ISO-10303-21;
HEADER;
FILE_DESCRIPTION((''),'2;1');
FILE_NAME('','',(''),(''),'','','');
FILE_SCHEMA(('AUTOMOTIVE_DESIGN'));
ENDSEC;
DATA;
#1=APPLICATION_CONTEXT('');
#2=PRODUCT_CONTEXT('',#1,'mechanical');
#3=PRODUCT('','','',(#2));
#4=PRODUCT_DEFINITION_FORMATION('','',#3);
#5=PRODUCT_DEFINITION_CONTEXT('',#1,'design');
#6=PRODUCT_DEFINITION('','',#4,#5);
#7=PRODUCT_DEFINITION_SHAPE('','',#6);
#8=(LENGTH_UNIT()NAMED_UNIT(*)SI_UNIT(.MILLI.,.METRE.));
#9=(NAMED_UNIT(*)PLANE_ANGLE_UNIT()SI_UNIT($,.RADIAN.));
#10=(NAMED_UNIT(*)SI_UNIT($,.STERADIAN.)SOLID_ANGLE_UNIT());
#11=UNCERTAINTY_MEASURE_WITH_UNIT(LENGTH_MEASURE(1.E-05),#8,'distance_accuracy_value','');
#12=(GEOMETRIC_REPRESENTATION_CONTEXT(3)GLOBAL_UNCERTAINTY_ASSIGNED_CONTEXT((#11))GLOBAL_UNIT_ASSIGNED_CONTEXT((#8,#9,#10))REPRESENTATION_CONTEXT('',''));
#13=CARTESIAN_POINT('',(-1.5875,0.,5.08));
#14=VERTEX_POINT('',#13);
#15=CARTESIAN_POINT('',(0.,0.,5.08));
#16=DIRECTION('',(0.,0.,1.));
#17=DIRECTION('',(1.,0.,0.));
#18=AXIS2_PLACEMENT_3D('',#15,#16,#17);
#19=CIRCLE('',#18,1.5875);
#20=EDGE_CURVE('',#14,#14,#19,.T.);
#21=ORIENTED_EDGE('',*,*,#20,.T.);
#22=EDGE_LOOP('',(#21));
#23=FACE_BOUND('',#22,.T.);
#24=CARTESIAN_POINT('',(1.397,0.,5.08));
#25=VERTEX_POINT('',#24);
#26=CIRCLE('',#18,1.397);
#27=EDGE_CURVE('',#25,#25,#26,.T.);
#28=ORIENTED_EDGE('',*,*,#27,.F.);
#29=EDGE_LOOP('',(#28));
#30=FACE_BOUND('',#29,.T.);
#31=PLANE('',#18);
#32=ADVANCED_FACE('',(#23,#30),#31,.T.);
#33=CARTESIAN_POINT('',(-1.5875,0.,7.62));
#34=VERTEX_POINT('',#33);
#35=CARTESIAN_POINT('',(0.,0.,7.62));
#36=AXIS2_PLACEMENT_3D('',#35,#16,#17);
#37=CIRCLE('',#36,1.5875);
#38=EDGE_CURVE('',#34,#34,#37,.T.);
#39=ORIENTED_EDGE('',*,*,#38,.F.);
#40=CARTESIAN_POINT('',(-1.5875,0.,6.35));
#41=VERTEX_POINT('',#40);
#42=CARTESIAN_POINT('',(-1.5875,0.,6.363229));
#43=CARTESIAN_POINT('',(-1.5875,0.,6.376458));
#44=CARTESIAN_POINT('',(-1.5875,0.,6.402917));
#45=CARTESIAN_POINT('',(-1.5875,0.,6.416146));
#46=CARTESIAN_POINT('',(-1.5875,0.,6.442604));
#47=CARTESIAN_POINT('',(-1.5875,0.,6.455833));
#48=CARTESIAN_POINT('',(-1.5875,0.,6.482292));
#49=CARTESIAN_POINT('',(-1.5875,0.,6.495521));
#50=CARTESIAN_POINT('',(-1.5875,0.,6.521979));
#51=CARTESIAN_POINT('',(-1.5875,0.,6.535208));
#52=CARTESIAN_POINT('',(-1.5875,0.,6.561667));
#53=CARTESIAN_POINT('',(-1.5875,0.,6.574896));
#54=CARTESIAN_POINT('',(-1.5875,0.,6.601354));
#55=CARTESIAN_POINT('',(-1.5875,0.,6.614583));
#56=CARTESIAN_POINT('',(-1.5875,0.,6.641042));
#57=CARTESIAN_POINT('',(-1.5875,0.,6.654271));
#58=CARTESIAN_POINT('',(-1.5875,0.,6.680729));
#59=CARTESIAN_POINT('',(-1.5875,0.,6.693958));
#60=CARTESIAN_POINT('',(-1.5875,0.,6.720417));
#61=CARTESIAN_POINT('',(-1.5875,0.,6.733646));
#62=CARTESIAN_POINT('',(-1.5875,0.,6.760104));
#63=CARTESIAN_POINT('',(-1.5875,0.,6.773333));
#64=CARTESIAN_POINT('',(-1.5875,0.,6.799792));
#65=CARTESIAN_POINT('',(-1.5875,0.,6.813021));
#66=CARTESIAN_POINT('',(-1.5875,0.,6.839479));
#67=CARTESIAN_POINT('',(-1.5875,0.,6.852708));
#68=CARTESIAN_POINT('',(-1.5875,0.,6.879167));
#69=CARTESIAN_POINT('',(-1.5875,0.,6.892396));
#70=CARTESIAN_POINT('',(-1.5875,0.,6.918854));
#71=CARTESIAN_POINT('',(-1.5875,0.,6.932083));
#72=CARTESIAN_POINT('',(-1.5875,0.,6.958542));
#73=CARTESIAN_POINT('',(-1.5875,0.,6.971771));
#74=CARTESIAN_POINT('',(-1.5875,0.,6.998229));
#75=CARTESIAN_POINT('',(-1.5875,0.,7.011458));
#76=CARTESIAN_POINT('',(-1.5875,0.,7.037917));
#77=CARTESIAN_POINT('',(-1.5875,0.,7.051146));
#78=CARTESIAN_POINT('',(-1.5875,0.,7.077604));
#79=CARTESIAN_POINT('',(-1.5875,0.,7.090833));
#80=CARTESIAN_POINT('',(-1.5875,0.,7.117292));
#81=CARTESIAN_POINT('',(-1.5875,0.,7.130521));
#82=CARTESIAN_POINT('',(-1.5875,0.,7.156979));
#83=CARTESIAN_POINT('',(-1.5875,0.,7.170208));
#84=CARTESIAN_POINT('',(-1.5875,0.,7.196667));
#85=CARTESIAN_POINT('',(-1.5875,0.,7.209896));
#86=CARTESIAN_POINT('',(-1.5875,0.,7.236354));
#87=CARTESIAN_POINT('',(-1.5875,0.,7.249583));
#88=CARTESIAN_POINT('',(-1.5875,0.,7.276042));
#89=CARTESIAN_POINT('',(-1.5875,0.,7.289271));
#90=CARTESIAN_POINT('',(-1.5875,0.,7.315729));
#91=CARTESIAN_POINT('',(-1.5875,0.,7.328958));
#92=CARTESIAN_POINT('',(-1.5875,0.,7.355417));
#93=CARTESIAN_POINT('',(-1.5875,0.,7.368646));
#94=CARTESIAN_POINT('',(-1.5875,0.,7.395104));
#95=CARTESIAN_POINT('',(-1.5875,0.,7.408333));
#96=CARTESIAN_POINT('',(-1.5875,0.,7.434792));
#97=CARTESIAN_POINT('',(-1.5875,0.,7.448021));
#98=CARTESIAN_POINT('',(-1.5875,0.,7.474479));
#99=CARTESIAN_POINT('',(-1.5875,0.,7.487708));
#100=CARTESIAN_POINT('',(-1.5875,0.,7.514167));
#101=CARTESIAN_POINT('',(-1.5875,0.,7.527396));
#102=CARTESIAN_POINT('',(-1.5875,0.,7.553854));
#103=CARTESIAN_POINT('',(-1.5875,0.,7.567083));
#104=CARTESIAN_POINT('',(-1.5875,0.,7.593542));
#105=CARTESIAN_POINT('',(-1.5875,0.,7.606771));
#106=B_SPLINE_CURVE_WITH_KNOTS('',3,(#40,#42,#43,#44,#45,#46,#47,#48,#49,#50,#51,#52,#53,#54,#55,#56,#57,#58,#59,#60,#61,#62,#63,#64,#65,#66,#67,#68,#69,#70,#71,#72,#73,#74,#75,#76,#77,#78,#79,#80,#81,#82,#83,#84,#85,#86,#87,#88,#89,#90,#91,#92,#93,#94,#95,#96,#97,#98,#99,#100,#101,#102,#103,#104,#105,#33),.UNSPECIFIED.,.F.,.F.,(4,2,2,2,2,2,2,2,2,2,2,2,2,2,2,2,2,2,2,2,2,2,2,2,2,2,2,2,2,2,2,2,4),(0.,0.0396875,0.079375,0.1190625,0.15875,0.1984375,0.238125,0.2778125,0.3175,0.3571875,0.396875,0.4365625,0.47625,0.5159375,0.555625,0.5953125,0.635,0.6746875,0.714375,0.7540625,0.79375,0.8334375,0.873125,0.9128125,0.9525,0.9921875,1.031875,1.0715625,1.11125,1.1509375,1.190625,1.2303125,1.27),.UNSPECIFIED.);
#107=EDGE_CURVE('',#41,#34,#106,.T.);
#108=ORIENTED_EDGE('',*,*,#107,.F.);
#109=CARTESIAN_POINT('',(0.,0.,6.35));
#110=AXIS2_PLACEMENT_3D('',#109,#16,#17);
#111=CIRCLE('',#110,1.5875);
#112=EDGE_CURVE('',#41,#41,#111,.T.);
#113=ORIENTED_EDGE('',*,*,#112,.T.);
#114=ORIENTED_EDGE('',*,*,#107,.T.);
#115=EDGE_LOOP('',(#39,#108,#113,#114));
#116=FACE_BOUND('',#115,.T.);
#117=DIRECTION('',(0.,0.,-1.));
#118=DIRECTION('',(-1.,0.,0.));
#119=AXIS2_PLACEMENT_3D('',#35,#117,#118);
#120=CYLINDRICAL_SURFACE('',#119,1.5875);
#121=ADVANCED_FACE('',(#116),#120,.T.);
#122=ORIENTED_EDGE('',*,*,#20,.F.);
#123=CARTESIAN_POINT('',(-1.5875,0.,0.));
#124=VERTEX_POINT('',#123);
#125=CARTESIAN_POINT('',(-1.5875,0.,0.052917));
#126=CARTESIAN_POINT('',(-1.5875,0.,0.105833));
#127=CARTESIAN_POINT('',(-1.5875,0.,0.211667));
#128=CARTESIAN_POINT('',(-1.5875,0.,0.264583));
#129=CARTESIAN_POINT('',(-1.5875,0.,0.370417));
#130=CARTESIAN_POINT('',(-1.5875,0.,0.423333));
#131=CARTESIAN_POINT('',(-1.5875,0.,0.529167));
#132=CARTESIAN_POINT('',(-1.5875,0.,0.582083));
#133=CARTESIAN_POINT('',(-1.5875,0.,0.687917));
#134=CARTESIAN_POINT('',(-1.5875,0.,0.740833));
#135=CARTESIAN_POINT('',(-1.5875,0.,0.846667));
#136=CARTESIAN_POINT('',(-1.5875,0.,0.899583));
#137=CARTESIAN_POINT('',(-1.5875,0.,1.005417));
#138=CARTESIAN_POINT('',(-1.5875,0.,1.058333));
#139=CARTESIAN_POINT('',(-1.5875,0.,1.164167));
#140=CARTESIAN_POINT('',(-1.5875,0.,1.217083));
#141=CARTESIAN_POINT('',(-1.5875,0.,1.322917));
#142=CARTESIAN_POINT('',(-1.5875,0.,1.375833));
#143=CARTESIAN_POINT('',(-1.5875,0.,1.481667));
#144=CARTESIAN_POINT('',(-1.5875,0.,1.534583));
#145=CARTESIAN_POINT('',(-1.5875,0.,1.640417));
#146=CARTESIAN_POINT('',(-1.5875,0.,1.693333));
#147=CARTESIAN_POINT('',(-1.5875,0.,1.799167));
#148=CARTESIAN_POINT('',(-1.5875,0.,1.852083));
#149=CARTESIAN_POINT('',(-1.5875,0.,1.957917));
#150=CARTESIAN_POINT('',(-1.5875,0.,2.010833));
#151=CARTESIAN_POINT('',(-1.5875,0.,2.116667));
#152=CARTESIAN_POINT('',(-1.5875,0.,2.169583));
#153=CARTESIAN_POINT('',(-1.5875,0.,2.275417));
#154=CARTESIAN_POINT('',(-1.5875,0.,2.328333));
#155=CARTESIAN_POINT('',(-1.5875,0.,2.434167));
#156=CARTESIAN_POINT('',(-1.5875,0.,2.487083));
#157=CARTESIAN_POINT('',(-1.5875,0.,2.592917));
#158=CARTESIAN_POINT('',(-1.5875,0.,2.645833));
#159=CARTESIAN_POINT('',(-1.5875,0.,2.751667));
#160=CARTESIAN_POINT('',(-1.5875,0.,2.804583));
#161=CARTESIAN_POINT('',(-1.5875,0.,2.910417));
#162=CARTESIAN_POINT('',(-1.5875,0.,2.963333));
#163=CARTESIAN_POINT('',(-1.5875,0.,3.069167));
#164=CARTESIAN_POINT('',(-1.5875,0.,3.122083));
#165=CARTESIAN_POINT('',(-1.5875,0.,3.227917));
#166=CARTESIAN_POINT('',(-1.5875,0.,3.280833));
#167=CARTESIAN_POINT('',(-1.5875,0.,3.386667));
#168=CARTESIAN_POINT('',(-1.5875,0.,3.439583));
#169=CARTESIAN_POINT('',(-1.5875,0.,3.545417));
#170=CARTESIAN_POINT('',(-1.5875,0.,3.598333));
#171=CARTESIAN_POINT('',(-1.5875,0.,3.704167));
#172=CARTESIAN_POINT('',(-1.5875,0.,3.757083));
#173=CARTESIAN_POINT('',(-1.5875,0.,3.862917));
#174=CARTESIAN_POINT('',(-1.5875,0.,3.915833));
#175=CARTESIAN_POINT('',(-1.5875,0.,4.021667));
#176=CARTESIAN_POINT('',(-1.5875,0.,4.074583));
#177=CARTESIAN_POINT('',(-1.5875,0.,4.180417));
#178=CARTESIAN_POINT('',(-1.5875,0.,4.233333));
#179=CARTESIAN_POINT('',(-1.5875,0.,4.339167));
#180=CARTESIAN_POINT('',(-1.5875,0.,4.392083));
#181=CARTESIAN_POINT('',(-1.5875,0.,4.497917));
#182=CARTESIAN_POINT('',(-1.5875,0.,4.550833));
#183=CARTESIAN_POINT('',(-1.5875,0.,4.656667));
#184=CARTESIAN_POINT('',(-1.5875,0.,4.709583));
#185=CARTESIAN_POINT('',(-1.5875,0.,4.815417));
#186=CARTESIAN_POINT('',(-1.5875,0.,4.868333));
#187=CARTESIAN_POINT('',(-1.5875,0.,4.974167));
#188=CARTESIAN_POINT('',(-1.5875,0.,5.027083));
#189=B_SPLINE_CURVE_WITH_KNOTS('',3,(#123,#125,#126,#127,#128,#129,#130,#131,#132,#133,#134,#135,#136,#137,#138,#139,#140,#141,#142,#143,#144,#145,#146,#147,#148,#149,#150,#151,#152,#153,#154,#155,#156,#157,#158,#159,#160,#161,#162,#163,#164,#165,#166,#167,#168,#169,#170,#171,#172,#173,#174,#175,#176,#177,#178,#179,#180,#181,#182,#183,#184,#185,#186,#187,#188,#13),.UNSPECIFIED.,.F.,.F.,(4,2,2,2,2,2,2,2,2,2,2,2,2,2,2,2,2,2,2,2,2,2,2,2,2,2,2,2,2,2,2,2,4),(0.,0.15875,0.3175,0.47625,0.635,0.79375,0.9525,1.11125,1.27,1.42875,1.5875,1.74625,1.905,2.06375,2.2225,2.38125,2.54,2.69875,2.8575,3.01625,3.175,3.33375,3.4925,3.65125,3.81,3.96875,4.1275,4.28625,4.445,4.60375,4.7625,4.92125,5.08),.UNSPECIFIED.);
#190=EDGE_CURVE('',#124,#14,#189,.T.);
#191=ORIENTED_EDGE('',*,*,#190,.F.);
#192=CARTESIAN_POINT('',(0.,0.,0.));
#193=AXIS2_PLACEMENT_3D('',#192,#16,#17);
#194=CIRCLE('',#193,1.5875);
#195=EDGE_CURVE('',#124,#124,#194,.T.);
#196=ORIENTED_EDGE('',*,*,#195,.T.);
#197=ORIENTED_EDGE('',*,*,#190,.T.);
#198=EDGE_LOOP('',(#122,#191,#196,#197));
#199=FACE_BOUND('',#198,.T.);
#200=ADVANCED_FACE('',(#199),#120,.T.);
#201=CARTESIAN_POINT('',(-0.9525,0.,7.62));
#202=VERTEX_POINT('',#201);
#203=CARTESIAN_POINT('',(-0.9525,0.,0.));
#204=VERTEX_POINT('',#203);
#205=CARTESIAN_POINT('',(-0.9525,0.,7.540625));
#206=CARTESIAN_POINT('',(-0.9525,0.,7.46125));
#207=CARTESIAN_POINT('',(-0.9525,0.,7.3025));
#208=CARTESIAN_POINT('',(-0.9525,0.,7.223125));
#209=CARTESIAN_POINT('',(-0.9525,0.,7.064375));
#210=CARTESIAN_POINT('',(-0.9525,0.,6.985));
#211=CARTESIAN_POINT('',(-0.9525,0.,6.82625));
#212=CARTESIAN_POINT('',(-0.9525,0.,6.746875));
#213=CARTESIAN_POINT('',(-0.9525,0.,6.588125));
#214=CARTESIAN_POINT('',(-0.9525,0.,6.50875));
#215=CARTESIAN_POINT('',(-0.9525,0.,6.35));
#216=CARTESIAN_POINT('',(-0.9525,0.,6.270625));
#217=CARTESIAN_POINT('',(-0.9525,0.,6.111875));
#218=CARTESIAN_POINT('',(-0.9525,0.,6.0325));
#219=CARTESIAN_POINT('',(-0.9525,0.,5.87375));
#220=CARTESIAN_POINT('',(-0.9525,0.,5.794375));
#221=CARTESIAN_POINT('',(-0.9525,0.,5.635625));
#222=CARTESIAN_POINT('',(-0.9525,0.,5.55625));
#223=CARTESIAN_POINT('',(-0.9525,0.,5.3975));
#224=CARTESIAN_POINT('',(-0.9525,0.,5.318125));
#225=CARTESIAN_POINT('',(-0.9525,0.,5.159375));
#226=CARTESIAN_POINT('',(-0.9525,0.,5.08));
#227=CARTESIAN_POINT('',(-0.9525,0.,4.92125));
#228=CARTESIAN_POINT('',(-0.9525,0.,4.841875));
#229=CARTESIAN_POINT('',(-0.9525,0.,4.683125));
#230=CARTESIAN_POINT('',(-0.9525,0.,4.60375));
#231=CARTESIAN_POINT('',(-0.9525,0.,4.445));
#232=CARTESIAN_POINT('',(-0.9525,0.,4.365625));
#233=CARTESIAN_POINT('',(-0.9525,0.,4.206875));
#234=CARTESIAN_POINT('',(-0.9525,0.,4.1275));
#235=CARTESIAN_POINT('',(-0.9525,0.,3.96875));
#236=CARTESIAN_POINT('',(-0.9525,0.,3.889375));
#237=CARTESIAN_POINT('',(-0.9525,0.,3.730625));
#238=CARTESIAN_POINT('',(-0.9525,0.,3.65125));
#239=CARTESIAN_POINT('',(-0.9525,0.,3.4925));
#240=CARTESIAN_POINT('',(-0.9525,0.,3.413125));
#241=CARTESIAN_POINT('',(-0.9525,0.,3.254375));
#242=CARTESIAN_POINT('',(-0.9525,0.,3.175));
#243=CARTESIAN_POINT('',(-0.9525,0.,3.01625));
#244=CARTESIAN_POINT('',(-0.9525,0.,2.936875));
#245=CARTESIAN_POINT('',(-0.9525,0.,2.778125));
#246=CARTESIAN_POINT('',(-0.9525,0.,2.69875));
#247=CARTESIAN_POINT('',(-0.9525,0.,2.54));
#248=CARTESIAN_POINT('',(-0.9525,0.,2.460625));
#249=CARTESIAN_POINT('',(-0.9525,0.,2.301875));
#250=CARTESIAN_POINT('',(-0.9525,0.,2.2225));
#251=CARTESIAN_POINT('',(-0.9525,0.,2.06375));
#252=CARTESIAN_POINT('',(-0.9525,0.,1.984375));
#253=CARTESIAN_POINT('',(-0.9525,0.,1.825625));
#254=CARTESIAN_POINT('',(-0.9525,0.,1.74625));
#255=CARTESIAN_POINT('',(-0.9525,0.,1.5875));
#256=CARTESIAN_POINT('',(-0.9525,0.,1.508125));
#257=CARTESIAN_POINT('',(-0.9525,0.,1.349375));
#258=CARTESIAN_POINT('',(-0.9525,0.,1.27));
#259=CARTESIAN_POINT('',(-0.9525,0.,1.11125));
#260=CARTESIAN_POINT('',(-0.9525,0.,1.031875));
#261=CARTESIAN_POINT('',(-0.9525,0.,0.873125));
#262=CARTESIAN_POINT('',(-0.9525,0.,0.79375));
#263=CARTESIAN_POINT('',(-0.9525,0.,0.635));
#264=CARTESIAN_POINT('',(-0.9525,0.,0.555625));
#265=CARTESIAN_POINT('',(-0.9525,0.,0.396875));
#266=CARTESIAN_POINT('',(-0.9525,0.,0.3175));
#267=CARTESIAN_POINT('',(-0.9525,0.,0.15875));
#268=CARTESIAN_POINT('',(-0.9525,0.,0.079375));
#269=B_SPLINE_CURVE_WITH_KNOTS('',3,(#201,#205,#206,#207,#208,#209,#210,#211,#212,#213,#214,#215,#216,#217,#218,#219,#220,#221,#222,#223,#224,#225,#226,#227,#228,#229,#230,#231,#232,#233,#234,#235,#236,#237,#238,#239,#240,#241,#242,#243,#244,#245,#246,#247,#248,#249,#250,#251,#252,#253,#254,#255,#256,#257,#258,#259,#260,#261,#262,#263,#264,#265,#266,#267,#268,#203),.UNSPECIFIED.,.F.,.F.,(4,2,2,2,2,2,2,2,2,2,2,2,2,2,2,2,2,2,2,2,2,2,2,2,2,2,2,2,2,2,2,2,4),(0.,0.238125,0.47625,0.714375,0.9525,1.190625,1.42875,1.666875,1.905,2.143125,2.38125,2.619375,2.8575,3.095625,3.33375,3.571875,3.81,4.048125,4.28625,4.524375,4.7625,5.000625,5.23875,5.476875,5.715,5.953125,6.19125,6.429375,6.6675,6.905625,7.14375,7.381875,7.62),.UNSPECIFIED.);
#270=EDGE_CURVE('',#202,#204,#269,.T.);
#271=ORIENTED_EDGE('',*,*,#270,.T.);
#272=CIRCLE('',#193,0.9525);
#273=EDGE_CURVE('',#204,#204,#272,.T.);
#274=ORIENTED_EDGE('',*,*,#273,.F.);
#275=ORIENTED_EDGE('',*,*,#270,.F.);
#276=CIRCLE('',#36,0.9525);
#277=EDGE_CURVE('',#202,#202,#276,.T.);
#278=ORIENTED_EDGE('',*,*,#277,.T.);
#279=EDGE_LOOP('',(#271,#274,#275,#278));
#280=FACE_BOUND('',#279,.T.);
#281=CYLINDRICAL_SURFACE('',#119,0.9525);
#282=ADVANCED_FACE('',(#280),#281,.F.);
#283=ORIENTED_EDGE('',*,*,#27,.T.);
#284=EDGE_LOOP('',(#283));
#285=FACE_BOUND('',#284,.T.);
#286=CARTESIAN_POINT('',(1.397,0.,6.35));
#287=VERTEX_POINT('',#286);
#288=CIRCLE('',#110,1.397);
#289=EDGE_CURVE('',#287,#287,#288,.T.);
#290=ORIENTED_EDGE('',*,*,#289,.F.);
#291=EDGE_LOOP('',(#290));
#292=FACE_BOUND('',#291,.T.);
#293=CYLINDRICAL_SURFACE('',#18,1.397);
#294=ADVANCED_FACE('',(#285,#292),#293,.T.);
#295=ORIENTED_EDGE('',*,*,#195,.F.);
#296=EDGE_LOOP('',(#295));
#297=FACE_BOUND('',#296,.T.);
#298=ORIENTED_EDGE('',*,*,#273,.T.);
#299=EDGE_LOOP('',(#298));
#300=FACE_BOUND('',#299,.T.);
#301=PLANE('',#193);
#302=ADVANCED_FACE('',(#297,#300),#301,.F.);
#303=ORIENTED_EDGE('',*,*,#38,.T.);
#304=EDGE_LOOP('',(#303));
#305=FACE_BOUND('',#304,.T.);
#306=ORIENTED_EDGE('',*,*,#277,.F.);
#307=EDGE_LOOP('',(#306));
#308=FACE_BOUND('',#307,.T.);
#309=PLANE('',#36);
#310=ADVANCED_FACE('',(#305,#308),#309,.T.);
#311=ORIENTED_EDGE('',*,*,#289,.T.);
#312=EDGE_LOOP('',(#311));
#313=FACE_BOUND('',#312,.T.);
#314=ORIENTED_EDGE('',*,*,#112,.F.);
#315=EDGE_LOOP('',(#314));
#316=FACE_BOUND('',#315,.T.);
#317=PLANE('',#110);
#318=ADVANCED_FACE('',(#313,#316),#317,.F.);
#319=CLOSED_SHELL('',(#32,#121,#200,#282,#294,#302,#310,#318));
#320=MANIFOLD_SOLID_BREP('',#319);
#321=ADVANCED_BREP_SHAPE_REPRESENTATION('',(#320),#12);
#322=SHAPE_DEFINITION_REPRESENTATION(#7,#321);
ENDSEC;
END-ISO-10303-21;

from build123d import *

# Parameters (mm, degrees)
SKETCH1_R           = 1.5875
SKETCH1_R_2         = 0.9525
BOSS_EXTRUDE1_DEPTH = 7.62
CUT_EXTRUDE1_START  = -1.27
SKETCH2_R           = 1.5875
SKETCH2_R_2         = 1.397
CUT_EXTRUDE1_DEPTH  = 1.27


with BuildPart() as part:
    # Sketch1 → Boss-Extrude1 (new body)
    with BuildSketch(Plane.XY):
        with Locations(Location((0, 0, 0), (0, 0, 180))):
            Circle(SKETCH1_R)
        with Locations(Location((0, 0, 0), (0, 0, 180))):
            Circle(SKETCH1_R_2, mode=Mode.SUBTRACT)
    extrude(amount=BOSS_EXTRUDE1_DEPTH)

    # Sketch2 → Cut-Extrude1 (cut)
    with BuildSketch(Plane.XY.offset(6.35).offset(CUT_EXTRUDE1_START)):
        with Locations(Location((0, 0, 0), (0, 0, 180))):
            Circle(SKETCH2_R)
        Circle(SKETCH2_R_2, mode=Mode.SUBTRACT)
    extrude(amount=CUT_EXTRUDE1_DEPTH, mode=Mode.SUBTRACT)


solid = part.part
